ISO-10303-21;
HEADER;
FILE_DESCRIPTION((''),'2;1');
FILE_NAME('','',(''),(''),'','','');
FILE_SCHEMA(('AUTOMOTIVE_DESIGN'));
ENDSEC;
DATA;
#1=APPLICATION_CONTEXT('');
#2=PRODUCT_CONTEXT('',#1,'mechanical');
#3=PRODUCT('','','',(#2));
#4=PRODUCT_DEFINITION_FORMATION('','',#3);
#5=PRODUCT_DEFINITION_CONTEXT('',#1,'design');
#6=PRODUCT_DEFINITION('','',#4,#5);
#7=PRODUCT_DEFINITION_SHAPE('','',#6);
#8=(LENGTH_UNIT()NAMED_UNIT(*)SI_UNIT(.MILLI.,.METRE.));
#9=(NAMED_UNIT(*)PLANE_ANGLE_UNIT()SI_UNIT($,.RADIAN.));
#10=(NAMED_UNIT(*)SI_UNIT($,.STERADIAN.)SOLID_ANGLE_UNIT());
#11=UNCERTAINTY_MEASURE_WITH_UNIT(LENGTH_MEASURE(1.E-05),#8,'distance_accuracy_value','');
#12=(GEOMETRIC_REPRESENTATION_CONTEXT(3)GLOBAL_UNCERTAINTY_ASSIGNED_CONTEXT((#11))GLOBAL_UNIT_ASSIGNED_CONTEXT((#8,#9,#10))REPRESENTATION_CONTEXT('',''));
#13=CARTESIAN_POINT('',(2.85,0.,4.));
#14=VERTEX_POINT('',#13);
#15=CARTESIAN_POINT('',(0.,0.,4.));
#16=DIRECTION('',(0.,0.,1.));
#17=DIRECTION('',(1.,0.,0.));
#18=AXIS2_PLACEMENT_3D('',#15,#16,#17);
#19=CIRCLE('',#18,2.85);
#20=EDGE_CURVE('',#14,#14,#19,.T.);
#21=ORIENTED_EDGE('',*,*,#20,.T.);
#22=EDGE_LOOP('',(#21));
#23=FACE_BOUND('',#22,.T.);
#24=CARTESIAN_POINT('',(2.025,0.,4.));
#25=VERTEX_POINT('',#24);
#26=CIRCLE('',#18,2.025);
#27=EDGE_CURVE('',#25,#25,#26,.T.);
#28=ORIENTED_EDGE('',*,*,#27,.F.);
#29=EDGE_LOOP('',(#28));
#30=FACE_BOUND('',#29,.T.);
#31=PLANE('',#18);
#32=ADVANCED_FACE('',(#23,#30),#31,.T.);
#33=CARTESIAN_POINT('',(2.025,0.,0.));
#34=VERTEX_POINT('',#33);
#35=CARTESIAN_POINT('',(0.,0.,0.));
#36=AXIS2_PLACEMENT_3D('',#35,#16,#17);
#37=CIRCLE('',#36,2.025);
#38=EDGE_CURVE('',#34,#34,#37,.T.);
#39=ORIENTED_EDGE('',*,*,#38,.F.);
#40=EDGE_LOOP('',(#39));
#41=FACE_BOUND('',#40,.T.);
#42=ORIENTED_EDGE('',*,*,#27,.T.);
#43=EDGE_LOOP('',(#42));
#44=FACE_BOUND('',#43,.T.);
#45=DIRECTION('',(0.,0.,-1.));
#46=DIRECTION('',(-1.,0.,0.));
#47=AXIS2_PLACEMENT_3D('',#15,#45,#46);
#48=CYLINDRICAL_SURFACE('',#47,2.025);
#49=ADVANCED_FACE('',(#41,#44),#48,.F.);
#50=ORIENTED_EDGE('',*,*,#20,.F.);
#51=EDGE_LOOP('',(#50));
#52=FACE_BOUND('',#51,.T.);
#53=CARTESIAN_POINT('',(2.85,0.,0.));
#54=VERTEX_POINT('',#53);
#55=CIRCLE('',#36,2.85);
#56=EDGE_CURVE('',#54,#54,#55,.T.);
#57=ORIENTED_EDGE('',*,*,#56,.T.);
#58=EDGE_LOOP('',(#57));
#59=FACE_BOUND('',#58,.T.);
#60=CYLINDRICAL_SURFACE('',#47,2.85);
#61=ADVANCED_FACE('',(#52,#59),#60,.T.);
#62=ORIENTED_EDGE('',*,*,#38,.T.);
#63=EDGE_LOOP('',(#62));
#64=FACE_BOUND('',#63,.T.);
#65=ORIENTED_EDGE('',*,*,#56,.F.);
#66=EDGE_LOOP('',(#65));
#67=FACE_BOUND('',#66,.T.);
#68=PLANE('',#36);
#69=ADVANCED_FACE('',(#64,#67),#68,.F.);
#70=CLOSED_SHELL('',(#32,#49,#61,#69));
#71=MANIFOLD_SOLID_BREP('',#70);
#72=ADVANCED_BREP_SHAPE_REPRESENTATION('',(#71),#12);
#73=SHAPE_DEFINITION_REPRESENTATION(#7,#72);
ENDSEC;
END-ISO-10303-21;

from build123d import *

# Parameters (mm, degrees)
S01_INSTALLED_BRASS_ENVELOPE_SIMPLIF_R       = 2.85
S01_INSTALLED_BRASS_ENVELOPE_SIMPLIF_R_2     = 2.025
F_01_INSTALLED_BRASS_ENVELOPE_SIMPLIFI_DEPTH = 4


with BuildPart() as part:
    # S01 - Installed brass envelope - simplified threads → 01 - Installed brass envelope - simplified threads (new body)
    with BuildSketch(Plane.XY):
        Circle(S01_INSTALLED_BRASS_ENVELOPE_SIMPLIF_R)
        Circle(S01_INSTALLED_BRASS_ENVELOPE_SIMPLIF_R_2, mode=Mode.SUBTRACT)
    extrude(amount=F_01_INSTALLED_BRASS_ENVELOPE_SIMPLIFI_DEPTH)


solid = part.part
